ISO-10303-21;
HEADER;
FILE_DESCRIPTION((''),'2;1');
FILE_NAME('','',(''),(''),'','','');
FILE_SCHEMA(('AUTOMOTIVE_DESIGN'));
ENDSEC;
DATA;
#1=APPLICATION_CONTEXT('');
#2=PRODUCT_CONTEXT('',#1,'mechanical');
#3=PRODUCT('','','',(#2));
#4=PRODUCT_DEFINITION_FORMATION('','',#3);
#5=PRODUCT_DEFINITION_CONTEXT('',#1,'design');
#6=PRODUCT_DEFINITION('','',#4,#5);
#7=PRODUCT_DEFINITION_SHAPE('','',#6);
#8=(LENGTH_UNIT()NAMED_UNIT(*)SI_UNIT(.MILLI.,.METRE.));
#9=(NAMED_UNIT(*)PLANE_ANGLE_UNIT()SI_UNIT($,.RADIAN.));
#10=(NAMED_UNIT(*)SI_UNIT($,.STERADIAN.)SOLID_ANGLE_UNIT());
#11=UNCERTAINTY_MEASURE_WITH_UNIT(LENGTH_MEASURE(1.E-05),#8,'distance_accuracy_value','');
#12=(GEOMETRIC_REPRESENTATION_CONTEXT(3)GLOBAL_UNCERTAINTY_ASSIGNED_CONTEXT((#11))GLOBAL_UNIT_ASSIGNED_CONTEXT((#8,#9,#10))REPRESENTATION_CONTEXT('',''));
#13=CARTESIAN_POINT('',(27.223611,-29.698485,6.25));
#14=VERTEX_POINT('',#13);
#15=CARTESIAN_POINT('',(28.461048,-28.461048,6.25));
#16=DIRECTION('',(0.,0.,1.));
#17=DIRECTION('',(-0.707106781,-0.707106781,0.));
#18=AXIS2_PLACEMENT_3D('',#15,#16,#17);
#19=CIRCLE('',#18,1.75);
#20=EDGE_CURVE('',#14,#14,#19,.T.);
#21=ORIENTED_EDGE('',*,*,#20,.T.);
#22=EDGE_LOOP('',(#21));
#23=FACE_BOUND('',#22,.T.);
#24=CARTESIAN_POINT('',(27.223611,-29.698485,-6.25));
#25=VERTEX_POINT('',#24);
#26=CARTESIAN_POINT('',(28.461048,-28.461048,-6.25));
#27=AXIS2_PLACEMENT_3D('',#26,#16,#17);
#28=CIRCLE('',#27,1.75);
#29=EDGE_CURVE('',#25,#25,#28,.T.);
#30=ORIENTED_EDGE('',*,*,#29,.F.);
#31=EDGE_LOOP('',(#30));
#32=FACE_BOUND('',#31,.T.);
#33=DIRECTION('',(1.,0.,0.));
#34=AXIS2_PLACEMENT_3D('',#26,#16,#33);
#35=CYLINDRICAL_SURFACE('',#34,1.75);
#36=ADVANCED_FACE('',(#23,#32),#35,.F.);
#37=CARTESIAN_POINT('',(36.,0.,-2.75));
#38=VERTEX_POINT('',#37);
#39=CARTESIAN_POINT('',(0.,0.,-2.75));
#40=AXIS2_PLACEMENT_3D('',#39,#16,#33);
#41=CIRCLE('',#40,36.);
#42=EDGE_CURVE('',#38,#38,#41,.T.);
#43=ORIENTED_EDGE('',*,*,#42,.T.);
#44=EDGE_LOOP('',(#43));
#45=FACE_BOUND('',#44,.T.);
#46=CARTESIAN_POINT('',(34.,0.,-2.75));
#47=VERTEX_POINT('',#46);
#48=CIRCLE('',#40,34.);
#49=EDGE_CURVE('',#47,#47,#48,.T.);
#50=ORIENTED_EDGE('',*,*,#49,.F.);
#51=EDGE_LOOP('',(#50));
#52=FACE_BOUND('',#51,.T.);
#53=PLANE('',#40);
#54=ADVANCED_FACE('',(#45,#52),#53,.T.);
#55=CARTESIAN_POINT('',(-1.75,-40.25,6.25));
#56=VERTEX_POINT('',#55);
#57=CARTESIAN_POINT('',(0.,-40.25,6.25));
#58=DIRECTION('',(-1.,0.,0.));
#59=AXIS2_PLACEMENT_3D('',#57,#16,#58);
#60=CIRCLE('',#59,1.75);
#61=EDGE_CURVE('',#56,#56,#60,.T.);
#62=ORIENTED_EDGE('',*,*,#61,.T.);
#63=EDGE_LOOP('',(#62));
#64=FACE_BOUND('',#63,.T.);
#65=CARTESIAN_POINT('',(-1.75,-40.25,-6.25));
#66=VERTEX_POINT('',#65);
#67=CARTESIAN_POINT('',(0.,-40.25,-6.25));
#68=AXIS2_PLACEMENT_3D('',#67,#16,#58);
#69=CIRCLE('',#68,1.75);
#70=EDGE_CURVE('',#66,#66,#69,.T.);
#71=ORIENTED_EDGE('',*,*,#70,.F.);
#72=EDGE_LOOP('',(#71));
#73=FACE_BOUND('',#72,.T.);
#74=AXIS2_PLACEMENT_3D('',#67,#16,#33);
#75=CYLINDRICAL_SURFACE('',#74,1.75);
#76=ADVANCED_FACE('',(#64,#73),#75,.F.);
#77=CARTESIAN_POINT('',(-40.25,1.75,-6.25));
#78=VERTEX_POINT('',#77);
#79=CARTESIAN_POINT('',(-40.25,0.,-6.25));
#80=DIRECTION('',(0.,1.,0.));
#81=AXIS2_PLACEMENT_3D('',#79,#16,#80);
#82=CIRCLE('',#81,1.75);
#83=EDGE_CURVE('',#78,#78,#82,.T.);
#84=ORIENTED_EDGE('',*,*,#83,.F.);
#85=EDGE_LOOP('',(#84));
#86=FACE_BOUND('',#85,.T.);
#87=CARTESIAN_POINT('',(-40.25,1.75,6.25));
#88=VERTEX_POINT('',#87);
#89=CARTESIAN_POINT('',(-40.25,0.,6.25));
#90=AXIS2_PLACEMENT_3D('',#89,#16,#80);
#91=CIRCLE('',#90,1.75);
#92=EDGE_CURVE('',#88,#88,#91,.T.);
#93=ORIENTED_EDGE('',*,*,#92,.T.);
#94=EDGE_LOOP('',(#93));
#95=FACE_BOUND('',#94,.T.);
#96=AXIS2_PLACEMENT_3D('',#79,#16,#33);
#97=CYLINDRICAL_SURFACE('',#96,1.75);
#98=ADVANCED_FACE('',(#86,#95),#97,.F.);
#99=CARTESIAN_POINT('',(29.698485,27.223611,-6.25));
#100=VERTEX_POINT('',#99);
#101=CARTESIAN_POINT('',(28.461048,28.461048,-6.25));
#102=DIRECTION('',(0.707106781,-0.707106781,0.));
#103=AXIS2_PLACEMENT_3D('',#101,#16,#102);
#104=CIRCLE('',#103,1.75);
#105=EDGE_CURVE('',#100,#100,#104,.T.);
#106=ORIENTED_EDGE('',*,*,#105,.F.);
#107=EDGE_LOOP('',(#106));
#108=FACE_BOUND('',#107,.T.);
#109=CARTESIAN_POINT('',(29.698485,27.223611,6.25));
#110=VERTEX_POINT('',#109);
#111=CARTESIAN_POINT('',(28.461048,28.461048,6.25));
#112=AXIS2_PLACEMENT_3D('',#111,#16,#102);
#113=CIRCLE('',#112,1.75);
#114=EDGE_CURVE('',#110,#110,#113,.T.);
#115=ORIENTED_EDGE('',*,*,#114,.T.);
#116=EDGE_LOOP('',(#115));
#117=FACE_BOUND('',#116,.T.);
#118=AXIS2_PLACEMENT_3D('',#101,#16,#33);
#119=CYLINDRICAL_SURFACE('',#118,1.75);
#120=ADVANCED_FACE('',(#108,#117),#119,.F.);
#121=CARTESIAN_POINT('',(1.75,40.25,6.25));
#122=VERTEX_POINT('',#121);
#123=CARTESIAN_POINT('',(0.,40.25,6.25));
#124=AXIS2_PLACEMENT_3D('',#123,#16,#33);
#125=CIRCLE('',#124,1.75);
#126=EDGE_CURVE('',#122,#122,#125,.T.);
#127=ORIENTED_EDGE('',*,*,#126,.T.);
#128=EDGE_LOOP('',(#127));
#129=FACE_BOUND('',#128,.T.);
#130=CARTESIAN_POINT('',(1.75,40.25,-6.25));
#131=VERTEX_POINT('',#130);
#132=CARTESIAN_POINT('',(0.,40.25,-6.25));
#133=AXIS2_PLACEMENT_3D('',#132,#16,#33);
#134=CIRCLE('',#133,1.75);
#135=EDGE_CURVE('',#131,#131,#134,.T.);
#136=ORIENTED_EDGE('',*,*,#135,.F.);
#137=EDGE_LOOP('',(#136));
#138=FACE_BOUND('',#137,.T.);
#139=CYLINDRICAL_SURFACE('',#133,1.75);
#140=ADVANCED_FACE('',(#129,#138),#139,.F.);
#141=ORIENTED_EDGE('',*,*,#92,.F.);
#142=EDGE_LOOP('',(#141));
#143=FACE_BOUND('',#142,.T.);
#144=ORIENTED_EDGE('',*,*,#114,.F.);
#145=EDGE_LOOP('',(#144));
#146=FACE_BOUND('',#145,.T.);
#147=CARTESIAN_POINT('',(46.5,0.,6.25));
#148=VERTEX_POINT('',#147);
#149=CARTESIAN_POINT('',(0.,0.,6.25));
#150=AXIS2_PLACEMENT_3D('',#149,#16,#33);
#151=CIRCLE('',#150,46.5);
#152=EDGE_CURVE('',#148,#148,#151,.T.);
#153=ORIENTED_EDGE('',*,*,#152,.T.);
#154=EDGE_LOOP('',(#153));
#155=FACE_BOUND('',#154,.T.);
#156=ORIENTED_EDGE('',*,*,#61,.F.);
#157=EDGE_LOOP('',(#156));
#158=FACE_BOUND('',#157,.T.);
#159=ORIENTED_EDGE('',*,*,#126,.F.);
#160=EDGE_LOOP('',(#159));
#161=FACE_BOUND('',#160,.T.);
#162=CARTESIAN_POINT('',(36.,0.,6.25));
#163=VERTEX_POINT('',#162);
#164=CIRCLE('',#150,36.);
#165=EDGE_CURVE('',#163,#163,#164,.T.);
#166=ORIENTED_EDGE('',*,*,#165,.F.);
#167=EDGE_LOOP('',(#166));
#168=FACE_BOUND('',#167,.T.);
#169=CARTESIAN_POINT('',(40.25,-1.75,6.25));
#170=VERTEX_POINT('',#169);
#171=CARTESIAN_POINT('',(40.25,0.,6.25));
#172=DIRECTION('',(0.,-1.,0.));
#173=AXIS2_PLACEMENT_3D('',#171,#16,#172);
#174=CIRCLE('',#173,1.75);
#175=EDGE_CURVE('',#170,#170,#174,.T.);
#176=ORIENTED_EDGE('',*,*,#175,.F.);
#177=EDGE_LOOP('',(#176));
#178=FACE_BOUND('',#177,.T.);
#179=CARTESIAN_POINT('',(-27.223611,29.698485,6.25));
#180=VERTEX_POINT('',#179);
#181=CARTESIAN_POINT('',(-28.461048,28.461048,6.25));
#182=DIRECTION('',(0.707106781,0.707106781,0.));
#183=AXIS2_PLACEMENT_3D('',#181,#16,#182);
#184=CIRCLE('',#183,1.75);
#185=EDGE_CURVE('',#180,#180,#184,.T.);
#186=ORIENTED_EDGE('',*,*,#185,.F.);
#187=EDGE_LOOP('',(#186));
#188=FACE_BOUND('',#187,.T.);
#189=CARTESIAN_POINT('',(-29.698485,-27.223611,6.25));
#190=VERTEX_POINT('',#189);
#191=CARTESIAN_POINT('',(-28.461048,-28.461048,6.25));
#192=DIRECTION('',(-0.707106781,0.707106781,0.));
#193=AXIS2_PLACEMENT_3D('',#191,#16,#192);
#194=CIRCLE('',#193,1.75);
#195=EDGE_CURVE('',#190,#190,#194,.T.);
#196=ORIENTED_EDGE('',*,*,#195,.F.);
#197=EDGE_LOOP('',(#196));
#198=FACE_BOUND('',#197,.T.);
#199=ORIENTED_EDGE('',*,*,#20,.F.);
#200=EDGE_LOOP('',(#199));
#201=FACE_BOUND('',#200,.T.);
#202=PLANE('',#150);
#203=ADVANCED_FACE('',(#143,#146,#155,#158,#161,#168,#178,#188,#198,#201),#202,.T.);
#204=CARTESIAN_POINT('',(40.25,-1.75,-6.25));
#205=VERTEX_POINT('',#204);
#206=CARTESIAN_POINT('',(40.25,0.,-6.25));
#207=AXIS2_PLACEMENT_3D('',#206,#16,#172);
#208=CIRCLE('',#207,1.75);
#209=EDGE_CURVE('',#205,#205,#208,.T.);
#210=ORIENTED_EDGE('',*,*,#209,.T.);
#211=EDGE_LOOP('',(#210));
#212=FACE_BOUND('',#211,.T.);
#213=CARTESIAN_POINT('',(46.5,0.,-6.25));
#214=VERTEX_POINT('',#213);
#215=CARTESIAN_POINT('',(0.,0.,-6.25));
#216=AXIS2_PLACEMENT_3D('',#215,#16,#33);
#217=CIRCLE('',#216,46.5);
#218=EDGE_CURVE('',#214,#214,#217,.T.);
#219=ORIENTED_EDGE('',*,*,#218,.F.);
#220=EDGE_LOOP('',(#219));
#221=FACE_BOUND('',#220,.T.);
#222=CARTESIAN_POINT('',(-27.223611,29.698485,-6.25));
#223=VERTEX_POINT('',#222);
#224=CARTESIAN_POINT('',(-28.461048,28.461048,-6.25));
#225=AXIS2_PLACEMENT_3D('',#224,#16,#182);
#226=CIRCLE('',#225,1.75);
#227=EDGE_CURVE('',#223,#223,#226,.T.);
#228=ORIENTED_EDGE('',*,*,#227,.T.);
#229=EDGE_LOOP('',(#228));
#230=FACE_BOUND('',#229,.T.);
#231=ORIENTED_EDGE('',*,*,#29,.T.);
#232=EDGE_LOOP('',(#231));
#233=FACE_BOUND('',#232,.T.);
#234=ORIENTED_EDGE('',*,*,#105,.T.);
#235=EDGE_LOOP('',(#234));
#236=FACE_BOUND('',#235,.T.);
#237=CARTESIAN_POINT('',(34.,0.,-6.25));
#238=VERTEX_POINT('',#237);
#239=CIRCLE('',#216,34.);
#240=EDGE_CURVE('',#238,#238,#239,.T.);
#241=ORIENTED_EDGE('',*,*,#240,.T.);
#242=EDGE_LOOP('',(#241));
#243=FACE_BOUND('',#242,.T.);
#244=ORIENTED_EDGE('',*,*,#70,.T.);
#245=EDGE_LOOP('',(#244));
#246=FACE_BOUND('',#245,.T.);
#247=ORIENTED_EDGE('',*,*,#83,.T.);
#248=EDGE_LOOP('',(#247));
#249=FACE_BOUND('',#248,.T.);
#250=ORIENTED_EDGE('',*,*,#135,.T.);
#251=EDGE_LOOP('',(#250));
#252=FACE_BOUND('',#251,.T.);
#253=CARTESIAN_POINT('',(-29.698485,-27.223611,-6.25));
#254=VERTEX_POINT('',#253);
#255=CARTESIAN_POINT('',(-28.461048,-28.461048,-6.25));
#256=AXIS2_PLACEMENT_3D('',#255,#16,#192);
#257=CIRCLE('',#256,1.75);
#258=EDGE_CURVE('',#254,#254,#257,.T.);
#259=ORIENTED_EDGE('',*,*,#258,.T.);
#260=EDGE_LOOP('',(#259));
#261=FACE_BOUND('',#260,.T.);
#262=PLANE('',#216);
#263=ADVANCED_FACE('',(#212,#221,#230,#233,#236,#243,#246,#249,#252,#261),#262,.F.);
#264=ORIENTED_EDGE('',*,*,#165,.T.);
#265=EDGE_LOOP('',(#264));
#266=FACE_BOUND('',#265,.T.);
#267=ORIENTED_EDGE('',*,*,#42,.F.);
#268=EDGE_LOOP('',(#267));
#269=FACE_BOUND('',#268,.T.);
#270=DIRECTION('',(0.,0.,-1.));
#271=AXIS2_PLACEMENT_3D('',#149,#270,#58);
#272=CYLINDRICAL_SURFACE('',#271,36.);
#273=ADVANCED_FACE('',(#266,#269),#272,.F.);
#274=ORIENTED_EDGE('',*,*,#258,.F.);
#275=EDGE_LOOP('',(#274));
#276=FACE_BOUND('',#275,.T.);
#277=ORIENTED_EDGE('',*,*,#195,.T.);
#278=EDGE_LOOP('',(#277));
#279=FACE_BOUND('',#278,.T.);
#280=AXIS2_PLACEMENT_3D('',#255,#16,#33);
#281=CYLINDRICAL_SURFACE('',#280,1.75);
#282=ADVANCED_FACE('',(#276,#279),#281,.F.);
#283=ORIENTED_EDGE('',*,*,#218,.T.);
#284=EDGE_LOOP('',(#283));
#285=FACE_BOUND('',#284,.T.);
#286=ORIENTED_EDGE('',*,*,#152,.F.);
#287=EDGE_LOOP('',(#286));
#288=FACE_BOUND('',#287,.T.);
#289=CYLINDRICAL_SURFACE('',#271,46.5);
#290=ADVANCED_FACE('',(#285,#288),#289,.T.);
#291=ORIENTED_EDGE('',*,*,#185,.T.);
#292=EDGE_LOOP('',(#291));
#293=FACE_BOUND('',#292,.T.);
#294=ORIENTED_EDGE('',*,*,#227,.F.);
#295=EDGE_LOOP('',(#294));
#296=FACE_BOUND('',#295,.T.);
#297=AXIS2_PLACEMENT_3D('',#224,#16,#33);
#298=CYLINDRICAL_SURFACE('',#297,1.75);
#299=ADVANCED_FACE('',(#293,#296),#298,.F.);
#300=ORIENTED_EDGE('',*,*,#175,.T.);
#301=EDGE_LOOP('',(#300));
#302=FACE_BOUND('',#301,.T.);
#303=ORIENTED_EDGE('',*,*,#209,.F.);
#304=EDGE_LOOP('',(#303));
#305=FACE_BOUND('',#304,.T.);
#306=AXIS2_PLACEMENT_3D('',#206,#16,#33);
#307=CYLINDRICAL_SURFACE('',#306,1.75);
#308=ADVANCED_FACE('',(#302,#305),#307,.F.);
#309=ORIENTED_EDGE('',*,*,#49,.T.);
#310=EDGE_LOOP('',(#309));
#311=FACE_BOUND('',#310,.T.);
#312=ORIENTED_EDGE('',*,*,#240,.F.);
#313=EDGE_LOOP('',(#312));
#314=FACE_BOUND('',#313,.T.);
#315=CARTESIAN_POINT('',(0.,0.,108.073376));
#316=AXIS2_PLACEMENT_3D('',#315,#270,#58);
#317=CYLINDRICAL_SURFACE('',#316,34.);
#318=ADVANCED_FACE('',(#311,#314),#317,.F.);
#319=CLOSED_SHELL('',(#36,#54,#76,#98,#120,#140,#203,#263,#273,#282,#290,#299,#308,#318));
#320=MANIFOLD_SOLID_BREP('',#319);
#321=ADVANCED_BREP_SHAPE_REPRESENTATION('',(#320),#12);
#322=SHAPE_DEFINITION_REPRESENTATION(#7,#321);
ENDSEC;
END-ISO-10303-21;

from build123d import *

# Parameters (mm, degrees)
SKETCH1_R           = 46.5
SKETCH1_R_2         = 36
BOSS_EXTRUDE1_DEPTH = 6.25
SKETCH4_R           = 36
SKETCH4_R_2         = 34
BOSS_EXTRUDE2_DEPTH = 3.5
SKETCH3_R           = 1.75
CUT_EXTRUDE1_DEPTH  = 67.938404522
CIRPATTERN1_COUNT   = 8


with BuildPart() as part:
    # Sketch1 → Boss-Extrude1 (new, symmetric)
    with BuildSketch(Plane.XY):
        Circle(SKETCH1_R)
        Circle(SKETCH1_R_2, mode=Mode.SUBTRACT)
    extrude(amount=BOSS_EXTRUDE1_DEPTH, both=True)

    # Sketch4 → Boss-Extrude2 (add)
    with BuildSketch(Plane.XY.offset(-6.25)):
        Circle(SKETCH4_R)
        Circle(SKETCH4_R_2, mode=Mode.SUBTRACT)
    extrude(amount=BOSS_EXTRUDE2_DEPTH)

    # Sketch3 → Cut-Extrude1 (cut, through all)
    with BuildSketch(Plane.XY.offset(6.25)):
        with Locations((0, 40.25)):
            Circle(SKETCH3_R)
    cut_extrude1 = extrude(amount=-CUT_EXTRUDE1_DEPTH, mode=Mode.SUBTRACT)

    # CirPattern1: Cut-Extrude1 ×8 about axis
    cirpattern1_axis = Axis((0, 0, 0), (0, 0, 1))
    for i in range(1, CIRPATTERN1_COUNT):
        add(cut_extrude1.rotate(cirpattern1_axis, i * 360 / CIRPATTERN1_COUNT), mode=Mode.SUBTRACT)


solid = part.part
